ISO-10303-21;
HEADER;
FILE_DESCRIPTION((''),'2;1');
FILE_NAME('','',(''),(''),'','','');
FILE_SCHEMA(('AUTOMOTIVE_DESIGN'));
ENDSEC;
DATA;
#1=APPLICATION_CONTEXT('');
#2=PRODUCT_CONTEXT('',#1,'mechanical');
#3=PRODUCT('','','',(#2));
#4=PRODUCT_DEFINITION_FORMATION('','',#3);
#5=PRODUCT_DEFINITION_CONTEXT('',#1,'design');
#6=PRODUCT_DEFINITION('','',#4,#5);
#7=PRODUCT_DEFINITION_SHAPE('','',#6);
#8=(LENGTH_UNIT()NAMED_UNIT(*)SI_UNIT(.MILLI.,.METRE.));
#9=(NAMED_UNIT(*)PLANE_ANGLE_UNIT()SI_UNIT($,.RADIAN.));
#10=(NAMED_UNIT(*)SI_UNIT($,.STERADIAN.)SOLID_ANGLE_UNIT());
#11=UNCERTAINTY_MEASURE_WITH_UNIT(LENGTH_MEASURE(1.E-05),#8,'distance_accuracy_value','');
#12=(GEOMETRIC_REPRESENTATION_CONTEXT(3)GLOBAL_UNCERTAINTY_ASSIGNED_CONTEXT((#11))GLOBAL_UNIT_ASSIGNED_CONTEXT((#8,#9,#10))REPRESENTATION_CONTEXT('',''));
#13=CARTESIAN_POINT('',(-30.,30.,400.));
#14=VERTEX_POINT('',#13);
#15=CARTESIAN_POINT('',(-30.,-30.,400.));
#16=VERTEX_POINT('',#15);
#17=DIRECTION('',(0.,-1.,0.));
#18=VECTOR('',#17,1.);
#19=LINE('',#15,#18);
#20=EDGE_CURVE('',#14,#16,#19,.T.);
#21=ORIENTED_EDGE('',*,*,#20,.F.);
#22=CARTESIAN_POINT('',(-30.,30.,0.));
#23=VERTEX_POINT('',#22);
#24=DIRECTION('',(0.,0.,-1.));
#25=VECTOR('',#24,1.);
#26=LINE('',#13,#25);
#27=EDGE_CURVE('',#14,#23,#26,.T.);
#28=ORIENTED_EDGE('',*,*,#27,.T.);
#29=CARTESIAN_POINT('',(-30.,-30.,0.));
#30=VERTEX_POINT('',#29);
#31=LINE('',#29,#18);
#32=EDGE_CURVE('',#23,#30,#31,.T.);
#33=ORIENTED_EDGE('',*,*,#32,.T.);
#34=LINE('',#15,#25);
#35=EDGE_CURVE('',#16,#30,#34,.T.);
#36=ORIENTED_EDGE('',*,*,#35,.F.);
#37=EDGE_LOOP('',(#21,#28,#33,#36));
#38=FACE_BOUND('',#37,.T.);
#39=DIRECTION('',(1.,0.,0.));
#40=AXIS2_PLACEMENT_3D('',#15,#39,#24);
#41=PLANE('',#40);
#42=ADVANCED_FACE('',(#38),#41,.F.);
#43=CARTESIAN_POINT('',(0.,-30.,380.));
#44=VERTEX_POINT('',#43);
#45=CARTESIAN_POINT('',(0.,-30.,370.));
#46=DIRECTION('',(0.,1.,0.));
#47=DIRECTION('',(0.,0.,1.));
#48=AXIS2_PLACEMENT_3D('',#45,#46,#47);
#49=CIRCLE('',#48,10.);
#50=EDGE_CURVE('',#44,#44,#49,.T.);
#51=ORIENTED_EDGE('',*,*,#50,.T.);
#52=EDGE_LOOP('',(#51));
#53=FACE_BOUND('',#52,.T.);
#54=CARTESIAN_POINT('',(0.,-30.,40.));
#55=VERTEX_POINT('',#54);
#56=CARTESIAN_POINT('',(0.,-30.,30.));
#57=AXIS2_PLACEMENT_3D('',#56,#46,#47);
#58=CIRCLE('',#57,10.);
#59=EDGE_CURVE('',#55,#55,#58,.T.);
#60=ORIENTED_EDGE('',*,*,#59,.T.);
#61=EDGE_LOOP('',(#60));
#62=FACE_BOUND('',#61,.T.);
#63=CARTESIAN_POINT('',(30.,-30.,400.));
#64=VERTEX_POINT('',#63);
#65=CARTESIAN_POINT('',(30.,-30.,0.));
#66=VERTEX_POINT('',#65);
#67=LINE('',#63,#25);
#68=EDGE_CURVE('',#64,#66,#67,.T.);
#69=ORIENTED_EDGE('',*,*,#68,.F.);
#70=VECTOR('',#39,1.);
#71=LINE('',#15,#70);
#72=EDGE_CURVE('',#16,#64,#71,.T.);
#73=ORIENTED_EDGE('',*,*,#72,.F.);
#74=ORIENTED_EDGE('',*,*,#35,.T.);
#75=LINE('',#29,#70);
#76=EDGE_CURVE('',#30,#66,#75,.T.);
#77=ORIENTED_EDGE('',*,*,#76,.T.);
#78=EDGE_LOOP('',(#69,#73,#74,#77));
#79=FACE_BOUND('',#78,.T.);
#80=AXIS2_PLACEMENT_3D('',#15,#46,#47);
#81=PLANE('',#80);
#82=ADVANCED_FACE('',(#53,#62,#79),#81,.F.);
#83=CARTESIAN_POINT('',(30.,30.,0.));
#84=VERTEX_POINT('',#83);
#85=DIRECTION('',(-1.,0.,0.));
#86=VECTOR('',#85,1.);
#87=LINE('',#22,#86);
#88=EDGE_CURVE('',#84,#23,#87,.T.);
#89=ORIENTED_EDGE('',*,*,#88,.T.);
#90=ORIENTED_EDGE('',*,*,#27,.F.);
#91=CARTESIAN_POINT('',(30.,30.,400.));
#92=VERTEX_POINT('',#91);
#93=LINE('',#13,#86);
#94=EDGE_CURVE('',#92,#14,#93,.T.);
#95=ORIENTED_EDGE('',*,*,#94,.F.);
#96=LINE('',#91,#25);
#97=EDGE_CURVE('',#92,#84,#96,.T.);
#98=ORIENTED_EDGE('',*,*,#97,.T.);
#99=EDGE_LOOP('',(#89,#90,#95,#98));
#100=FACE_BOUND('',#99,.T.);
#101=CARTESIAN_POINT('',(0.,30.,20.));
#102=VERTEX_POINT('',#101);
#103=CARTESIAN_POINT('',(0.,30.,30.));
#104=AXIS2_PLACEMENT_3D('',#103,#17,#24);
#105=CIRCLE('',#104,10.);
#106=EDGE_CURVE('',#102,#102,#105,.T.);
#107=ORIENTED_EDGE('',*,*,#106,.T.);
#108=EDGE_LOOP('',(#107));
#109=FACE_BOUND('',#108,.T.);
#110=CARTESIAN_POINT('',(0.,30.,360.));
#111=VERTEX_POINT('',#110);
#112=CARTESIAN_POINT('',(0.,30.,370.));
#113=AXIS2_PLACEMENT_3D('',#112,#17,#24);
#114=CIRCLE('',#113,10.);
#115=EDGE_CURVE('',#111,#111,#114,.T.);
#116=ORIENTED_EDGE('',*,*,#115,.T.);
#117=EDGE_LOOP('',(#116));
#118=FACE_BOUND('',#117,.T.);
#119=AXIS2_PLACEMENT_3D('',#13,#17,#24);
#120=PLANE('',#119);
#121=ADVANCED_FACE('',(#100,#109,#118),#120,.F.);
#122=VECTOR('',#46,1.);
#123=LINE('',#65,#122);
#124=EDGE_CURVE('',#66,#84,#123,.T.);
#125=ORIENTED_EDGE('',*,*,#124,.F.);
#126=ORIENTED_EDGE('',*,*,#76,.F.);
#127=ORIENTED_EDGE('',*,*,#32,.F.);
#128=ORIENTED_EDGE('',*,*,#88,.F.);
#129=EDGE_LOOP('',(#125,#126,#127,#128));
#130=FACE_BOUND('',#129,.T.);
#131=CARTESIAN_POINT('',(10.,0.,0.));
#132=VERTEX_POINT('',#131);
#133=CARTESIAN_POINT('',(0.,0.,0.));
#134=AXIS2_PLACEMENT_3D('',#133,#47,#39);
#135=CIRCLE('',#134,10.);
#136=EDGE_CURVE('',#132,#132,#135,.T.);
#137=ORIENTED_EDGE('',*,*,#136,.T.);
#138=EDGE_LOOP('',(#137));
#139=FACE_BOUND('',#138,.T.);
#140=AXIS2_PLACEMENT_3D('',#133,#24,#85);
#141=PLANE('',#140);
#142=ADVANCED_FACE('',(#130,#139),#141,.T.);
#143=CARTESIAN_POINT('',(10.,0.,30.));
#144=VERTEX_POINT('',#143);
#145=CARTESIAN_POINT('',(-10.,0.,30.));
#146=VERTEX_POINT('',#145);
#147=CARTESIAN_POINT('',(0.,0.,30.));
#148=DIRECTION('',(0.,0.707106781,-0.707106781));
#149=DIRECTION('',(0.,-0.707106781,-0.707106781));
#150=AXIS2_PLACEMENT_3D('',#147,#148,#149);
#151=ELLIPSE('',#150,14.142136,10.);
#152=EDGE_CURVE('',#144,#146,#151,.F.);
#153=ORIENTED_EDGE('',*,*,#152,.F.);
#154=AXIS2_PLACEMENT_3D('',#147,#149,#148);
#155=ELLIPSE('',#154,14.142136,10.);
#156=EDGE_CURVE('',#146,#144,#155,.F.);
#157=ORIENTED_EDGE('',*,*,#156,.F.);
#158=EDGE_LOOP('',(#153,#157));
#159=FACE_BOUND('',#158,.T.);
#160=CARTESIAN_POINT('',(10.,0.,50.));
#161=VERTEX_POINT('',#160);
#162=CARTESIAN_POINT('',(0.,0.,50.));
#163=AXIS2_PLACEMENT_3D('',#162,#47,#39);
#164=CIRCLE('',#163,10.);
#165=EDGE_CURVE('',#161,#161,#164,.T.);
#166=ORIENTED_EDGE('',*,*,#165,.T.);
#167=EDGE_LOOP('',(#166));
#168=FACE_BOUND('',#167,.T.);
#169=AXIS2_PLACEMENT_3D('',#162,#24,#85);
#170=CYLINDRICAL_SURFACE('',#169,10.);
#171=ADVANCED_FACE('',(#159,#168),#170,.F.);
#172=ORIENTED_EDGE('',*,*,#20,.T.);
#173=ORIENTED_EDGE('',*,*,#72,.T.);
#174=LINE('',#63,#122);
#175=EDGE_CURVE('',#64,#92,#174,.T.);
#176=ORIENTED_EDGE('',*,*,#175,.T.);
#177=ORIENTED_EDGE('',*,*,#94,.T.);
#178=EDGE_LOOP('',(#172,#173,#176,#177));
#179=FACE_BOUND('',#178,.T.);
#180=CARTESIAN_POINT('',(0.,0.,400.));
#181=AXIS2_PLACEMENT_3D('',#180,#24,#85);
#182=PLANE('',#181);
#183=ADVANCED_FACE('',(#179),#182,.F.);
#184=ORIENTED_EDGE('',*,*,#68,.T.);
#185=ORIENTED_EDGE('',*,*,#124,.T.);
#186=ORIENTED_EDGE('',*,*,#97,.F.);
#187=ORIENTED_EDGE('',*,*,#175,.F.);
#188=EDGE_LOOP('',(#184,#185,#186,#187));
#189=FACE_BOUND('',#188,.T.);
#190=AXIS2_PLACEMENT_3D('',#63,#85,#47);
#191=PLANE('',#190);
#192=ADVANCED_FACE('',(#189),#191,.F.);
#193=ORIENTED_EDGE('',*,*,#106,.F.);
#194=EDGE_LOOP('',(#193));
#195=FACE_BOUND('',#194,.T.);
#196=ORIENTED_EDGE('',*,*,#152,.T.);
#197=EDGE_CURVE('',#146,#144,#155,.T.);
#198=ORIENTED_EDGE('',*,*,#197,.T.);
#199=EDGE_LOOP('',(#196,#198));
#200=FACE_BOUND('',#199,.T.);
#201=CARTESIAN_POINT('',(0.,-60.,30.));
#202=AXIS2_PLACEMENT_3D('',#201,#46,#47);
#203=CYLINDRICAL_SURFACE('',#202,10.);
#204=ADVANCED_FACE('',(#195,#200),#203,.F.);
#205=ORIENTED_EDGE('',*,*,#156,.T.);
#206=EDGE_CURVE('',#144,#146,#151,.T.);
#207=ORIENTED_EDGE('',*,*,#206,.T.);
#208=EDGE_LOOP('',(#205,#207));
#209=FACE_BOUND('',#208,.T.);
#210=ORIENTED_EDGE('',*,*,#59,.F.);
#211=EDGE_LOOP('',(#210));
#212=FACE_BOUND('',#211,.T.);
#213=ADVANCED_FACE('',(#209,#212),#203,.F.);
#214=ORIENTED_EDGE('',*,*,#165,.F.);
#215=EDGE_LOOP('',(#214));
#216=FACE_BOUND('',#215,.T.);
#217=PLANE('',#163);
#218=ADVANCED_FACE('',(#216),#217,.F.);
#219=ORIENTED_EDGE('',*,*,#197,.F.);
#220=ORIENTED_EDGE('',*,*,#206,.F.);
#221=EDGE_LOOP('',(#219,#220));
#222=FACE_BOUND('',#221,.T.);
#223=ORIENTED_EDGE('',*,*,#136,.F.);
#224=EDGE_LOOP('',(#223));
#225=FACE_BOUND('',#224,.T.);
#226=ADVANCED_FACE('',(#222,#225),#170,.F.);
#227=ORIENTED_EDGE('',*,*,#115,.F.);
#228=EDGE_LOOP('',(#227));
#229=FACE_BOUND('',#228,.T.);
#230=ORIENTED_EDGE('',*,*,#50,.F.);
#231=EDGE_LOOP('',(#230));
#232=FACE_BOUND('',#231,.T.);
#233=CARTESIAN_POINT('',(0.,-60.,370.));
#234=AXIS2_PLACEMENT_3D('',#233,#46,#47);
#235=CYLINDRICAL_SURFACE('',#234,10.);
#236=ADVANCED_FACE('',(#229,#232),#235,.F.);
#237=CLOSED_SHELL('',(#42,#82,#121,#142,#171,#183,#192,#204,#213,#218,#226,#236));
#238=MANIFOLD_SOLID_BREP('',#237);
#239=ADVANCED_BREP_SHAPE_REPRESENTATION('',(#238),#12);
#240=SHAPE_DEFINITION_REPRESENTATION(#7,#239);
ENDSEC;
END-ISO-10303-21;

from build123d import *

# Parameters (mm, degrees)
SKETCH1_W               = 60
SKETCH1_H               = 60
BOSS_EXTRUDE1_DEPTH     = 400
SKETCH2_R               = 10
CUT_EXTRUDE1_DEPTH      = 50
CUT_EXTRUDE2_DEPTH      = 60
CUT_EXTRUDE2_DEPTH_BACK = 60
SKETCH3_R               = 10
CUT_EXTRUDE3_DEPTH      = 60
CUT_EXTRUDE3_DEPTH_BACK = 60
SKETCH4_R               = 10


with BuildPart() as part:
    # Sketch1 → Boss-Extrude1 (new body)
    with BuildSketch(Plane.XY):
        Rectangle(SKETCH1_W, SKETCH1_H)
    extrude(amount=BOSS_EXTRUDE1_DEPTH)

    # Sketch2 → Cut-Extrude1 (cut)
    with BuildSketch(Plane.XY):
        Circle(SKETCH2_R)
    extrude(amount=CUT_EXTRUDE1_DEPTH, mode=Mode.SUBTRACT)

    # Sketch3 → Cut-Extrude2 (cut, two sides: drawn at the far end of the back side and taken through both)
    with BuildSketch(Plane(origin=(0, 0, 0), x_dir=(1, 0, 0), z_dir=(0, 1, 0)).offset(-CUT_EXTRUDE2_DEPTH_BACK)):
        with Locations((0, -30)):
            Circle(SKETCH3_R)
    extrude(amount=CUT_EXTRUDE2_DEPTH + CUT_EXTRUDE2_DEPTH_BACK, mode=Mode.SUBTRACT)

    # Sketch4 → Cut-Extrude3 (cut, two sides: drawn at the far end of the back side and taken through both)
    with BuildSketch(Plane(origin=(0, 0, 0), x_dir=(1, 0, 0), z_dir=(0, 1, 0)).offset(-CUT_EXTRUDE3_DEPTH_BACK)):
        with Locations((0, -370)):
            Circle(SKETCH4_R)
    extrude(amount=CUT_EXTRUDE3_DEPTH + CUT_EXTRUDE3_DEPTH_BACK, mode=Mode.SUBTRACT)


solid = part.part
